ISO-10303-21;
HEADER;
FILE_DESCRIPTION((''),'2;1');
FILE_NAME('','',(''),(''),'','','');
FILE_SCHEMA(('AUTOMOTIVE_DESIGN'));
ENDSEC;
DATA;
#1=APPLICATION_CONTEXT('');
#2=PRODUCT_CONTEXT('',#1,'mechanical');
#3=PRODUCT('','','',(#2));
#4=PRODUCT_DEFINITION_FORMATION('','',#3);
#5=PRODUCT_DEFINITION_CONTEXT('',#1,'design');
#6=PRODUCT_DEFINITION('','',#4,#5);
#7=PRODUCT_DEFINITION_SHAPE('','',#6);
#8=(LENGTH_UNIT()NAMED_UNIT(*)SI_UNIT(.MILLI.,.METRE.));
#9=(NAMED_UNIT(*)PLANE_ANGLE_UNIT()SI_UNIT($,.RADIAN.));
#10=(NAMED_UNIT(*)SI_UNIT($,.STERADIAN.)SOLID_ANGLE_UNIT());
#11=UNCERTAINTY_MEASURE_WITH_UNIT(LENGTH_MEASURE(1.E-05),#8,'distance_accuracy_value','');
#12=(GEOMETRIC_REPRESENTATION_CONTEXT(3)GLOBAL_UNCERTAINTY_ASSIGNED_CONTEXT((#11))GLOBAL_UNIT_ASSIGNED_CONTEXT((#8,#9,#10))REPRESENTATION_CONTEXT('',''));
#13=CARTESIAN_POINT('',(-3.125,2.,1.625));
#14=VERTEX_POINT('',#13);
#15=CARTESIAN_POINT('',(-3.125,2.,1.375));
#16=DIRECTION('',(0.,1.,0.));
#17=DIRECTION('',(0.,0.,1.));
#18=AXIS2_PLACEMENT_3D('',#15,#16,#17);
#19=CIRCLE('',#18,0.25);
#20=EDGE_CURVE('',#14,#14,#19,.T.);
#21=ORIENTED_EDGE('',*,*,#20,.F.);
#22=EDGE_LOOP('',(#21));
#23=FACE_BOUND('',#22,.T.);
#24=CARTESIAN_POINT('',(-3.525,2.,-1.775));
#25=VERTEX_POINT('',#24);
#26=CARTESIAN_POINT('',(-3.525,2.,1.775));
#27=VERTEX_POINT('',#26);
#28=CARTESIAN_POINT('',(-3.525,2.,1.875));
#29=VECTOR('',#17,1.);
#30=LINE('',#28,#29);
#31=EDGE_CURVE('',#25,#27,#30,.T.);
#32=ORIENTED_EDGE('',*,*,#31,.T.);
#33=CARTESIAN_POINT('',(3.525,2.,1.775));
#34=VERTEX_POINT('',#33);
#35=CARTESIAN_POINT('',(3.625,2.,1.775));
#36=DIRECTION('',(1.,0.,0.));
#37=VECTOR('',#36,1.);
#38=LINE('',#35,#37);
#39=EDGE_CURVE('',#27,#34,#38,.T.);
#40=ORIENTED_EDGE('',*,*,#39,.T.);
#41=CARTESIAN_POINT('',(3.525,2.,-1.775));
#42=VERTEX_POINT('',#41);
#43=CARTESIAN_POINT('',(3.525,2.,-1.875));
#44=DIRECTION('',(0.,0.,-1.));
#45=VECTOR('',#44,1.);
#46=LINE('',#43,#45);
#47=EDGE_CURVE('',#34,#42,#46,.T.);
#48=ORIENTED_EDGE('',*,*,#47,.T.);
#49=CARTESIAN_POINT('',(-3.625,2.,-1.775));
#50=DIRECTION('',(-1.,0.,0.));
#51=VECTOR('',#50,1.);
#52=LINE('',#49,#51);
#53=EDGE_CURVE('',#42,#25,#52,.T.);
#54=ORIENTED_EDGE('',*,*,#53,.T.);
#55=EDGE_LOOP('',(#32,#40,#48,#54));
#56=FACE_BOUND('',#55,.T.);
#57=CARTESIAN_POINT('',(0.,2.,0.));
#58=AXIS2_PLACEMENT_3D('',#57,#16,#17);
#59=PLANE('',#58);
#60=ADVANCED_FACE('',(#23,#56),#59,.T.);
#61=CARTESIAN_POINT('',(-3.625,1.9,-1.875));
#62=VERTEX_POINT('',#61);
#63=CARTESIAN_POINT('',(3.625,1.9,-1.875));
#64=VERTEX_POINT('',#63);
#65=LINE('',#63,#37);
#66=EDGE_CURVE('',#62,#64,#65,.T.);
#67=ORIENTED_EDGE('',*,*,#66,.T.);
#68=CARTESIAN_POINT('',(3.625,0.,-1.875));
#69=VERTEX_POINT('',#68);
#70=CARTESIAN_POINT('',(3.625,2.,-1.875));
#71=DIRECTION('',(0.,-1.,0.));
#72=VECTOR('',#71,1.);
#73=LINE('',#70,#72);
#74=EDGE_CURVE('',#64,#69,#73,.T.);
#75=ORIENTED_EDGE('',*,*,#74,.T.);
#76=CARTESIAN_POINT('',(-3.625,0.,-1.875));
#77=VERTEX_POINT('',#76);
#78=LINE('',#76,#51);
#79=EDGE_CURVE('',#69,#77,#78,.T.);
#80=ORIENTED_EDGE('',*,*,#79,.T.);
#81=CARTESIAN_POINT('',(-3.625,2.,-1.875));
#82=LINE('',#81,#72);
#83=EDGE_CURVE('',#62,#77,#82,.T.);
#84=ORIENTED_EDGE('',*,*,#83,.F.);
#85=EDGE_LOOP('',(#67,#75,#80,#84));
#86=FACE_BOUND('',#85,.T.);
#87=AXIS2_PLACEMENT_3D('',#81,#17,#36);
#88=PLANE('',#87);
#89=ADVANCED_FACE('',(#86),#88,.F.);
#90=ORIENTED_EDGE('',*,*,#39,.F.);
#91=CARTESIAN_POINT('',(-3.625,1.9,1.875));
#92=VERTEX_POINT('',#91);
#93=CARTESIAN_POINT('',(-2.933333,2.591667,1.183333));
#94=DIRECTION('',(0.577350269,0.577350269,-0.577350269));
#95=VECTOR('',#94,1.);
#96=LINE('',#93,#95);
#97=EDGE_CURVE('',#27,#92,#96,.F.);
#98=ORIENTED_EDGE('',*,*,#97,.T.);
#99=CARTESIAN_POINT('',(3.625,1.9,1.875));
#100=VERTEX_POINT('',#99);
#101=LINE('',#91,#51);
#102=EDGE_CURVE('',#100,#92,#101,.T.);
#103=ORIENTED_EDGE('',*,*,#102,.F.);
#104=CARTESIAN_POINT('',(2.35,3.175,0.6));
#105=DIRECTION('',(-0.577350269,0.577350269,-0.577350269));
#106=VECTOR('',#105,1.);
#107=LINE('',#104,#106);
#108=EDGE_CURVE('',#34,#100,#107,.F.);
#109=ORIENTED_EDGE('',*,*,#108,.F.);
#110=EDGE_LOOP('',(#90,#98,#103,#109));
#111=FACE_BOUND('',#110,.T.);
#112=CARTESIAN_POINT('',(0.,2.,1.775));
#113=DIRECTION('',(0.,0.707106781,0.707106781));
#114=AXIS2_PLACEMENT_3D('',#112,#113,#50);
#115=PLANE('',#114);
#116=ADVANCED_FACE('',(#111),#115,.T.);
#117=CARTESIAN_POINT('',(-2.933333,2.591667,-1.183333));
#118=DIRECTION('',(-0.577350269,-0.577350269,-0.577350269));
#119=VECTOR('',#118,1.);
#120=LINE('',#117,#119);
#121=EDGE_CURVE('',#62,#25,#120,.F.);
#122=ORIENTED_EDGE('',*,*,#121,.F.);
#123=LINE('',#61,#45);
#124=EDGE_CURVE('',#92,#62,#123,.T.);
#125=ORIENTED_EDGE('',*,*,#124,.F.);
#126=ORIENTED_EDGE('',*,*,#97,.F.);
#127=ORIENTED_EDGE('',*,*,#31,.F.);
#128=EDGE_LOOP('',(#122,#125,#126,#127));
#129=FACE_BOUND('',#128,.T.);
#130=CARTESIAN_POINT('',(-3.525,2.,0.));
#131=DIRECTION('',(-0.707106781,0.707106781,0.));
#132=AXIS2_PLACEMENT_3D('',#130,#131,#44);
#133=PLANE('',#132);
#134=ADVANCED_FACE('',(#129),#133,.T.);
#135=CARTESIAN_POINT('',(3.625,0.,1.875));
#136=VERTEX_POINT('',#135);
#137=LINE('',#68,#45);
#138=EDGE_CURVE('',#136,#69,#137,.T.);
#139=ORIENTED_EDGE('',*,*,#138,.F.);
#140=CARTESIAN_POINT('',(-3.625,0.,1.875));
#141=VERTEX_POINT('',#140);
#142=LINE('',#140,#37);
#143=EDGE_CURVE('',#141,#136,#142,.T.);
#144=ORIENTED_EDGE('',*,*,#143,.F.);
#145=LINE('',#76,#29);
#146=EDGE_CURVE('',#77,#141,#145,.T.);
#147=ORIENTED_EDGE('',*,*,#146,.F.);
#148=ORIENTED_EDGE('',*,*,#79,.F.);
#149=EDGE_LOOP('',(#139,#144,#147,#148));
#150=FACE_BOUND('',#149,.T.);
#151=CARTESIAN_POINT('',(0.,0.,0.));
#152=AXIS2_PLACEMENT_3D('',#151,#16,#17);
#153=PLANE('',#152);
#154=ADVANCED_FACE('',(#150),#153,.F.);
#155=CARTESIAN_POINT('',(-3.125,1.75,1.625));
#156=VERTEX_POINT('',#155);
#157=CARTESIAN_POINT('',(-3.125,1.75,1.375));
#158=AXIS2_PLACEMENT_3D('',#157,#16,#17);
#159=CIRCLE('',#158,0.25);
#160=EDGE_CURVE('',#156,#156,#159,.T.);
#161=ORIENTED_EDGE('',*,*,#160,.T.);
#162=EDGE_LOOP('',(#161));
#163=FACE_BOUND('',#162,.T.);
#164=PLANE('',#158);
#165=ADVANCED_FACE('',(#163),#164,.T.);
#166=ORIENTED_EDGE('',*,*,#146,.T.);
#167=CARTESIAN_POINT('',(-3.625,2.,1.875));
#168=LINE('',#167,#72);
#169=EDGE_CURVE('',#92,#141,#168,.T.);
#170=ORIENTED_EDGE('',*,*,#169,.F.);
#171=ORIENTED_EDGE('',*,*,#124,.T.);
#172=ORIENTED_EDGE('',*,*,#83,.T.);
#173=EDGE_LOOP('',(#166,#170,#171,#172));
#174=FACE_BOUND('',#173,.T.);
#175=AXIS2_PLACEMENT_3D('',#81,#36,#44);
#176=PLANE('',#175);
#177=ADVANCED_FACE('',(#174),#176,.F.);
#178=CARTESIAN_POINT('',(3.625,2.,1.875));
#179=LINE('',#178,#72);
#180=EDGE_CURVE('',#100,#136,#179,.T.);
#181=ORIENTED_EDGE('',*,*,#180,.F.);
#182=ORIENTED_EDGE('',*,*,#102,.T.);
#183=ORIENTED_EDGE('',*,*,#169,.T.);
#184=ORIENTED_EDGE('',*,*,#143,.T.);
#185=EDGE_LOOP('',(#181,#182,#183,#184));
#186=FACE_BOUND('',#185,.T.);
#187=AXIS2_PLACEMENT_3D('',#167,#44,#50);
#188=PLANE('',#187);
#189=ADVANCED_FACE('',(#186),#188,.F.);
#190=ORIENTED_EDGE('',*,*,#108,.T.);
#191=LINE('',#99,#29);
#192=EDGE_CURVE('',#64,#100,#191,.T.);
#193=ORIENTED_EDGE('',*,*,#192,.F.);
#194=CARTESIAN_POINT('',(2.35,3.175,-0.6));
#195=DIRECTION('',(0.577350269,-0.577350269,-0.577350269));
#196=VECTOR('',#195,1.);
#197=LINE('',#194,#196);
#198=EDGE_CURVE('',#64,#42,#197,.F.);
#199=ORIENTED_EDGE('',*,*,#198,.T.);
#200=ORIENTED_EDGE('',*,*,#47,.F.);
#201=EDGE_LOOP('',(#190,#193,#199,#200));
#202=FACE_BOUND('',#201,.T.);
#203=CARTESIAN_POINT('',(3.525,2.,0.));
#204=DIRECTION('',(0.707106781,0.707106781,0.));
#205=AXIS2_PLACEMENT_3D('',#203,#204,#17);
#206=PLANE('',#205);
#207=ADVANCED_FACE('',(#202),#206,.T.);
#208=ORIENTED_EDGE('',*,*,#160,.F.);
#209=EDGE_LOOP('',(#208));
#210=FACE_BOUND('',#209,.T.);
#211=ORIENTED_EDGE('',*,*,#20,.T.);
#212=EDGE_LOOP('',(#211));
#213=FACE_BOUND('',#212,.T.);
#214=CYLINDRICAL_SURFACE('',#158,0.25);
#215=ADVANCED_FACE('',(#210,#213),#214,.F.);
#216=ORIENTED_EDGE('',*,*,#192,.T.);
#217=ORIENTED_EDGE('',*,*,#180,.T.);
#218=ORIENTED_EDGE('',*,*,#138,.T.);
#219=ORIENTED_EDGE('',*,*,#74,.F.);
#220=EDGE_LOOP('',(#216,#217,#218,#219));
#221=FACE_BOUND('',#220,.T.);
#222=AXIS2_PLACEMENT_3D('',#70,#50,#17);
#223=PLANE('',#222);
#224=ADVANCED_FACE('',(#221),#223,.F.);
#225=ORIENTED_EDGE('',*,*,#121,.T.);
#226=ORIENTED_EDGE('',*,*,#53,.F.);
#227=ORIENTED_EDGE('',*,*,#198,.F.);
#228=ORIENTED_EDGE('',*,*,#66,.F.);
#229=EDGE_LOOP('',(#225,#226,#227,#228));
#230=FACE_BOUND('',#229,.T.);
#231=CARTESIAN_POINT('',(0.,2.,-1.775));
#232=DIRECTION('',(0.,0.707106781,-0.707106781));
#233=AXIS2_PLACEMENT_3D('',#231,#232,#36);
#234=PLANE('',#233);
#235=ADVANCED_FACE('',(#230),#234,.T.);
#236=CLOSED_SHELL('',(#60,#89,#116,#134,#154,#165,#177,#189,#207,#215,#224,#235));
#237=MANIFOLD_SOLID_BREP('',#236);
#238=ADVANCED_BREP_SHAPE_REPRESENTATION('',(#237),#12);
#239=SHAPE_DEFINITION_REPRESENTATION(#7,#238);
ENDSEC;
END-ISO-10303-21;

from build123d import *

# Parameters (mm, degrees)
ESQUISSE1_W             = 7.25
ESQUISSE1_H             = 3.75
BOSS_EXTRU_1_DEPTH      = 2
ESQUISSE2_R             = 0.25
ENL_V_MAT_EXTRU_1_DEPTH = 0.25
CHANFREIN1_SIZE         = 0.1


with BuildPart() as part:
    # Esquisse1 → Boss.-Extru.1 (new body)
    with BuildSketch(Plane(origin=(0, 0, 0), x_dir=(1, 0, 0), z_dir=(0, 1, 0))):
        Rectangle(ESQUISSE1_W, ESQUISSE1_H)
    extrude(amount=BOSS_EXTRU_1_DEPTH)

    # Esquisse2 → Enlèv. mat.-Extru.1 (cut)
    with BuildSketch(Plane(origin=(0, 2, 0), x_dir=(1, 0, 0), z_dir=(0, 1, 0))):
        with Locations(Location((-3.125, -1.375, 0), (0, 0, 270))):  # turned: the seam where the file's is
            Circle(ESQUISSE2_R)
    extrude(amount=-ENL_V_MAT_EXTRU_1_DEPTH, mode=Mode.SUBTRACT)

    # Chanfrein1
    chanfrein1_edges = [part.edges().sort_by_distance(p)[0] for p in [
        (3.625, 2, 0),
        (0, 2, -1.875),
        (-3.625, 2, 0),
        (0, 2, 1.875),
    ]]
    chamfer(chanfrein1_edges, length=CHANFREIN1_SIZE)


solid = part.part
